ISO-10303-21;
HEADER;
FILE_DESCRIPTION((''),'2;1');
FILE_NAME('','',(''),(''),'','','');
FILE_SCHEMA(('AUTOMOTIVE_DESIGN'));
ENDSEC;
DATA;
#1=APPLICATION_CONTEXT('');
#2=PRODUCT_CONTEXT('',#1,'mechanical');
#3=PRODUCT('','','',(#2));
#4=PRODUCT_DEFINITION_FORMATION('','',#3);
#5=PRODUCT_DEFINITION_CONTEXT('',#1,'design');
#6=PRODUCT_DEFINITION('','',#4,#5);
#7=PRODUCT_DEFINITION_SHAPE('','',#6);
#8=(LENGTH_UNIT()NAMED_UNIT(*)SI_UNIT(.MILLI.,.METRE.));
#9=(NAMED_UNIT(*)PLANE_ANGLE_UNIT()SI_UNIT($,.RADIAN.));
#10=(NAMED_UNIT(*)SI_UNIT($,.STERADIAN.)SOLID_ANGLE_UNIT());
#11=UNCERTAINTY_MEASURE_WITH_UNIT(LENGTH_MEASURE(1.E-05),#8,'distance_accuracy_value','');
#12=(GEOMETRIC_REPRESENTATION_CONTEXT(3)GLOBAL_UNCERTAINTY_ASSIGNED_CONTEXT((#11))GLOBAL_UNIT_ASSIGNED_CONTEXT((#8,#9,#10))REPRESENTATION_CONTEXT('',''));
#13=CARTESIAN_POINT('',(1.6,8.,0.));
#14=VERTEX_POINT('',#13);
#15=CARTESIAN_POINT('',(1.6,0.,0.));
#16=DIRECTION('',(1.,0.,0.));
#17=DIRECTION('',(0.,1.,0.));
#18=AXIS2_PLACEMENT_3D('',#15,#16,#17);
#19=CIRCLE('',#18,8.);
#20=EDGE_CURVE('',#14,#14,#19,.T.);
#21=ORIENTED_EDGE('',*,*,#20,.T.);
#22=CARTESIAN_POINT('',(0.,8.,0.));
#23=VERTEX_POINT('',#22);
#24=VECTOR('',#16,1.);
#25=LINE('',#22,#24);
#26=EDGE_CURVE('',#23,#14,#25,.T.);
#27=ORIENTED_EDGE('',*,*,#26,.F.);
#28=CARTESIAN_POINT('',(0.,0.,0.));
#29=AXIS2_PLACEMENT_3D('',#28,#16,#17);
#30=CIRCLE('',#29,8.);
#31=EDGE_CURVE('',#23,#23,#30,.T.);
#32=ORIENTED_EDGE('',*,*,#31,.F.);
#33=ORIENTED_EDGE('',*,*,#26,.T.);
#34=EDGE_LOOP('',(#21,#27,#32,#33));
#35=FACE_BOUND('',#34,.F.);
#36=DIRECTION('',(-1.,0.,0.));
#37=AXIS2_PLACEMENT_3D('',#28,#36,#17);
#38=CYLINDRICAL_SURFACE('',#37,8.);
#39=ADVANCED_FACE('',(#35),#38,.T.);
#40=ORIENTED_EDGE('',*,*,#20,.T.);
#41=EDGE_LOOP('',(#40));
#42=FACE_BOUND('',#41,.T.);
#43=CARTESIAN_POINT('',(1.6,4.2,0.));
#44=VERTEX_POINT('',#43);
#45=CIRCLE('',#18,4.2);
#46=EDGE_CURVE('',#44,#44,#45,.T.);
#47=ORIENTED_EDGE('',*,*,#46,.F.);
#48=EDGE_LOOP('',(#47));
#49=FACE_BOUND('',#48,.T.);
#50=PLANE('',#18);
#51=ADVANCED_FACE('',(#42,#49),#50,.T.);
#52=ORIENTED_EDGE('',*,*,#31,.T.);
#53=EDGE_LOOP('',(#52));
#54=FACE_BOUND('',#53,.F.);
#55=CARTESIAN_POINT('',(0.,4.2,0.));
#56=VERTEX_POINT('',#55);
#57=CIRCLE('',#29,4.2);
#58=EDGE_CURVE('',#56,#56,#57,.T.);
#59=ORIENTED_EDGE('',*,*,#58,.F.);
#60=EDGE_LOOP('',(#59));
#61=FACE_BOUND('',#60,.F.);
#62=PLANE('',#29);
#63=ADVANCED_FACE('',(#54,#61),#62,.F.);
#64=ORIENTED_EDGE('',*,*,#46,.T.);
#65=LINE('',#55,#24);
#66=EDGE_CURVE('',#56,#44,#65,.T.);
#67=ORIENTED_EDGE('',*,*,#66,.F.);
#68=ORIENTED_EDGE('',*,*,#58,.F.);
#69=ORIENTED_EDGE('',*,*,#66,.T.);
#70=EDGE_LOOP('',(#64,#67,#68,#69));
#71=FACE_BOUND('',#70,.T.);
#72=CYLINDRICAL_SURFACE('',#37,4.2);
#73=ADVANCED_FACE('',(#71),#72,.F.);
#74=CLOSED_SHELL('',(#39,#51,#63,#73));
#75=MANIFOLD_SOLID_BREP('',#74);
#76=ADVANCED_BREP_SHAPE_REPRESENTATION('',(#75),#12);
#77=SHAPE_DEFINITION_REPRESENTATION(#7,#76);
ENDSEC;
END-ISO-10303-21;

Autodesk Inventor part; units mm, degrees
ref_plane "YZ Plane" through (0, 0, 0) normal (1, 0, 0) x (0, 1, 0)
ref_plane "XZ Plane" through (0, 0, 0) normal (0, 1, 0) x (-1, 0, 0)
sketch "Sketch" plane through (0, 0, 0) normal (1, 0, 0) x (0, 1, 0)
  circle A0 centre (0, 0) radius 8
  circle A1 centre (0, 0) radius 4.2
  dimension "d0" = 8.4
  dimension "d1" = 16
extrude "Body" add sketch "Sketch" along normal blind 1.6
ref_plane "Work Plane1" through (0, 0, 0) normal (0, 0, 1) x (1, 0, 0)
equation "\"d0\" = SD1"
equation "\"d1\" = SD2"
equation "\"d2\" = SD"
equation "\"SD1\" = 8.4"
equation "\"SD2\" = 16"
equation "\"SD\" = 1.6"
equation "\"NND\" = 8"
properties part number "ISO 7089 - 8" material "Stainless Steel"
